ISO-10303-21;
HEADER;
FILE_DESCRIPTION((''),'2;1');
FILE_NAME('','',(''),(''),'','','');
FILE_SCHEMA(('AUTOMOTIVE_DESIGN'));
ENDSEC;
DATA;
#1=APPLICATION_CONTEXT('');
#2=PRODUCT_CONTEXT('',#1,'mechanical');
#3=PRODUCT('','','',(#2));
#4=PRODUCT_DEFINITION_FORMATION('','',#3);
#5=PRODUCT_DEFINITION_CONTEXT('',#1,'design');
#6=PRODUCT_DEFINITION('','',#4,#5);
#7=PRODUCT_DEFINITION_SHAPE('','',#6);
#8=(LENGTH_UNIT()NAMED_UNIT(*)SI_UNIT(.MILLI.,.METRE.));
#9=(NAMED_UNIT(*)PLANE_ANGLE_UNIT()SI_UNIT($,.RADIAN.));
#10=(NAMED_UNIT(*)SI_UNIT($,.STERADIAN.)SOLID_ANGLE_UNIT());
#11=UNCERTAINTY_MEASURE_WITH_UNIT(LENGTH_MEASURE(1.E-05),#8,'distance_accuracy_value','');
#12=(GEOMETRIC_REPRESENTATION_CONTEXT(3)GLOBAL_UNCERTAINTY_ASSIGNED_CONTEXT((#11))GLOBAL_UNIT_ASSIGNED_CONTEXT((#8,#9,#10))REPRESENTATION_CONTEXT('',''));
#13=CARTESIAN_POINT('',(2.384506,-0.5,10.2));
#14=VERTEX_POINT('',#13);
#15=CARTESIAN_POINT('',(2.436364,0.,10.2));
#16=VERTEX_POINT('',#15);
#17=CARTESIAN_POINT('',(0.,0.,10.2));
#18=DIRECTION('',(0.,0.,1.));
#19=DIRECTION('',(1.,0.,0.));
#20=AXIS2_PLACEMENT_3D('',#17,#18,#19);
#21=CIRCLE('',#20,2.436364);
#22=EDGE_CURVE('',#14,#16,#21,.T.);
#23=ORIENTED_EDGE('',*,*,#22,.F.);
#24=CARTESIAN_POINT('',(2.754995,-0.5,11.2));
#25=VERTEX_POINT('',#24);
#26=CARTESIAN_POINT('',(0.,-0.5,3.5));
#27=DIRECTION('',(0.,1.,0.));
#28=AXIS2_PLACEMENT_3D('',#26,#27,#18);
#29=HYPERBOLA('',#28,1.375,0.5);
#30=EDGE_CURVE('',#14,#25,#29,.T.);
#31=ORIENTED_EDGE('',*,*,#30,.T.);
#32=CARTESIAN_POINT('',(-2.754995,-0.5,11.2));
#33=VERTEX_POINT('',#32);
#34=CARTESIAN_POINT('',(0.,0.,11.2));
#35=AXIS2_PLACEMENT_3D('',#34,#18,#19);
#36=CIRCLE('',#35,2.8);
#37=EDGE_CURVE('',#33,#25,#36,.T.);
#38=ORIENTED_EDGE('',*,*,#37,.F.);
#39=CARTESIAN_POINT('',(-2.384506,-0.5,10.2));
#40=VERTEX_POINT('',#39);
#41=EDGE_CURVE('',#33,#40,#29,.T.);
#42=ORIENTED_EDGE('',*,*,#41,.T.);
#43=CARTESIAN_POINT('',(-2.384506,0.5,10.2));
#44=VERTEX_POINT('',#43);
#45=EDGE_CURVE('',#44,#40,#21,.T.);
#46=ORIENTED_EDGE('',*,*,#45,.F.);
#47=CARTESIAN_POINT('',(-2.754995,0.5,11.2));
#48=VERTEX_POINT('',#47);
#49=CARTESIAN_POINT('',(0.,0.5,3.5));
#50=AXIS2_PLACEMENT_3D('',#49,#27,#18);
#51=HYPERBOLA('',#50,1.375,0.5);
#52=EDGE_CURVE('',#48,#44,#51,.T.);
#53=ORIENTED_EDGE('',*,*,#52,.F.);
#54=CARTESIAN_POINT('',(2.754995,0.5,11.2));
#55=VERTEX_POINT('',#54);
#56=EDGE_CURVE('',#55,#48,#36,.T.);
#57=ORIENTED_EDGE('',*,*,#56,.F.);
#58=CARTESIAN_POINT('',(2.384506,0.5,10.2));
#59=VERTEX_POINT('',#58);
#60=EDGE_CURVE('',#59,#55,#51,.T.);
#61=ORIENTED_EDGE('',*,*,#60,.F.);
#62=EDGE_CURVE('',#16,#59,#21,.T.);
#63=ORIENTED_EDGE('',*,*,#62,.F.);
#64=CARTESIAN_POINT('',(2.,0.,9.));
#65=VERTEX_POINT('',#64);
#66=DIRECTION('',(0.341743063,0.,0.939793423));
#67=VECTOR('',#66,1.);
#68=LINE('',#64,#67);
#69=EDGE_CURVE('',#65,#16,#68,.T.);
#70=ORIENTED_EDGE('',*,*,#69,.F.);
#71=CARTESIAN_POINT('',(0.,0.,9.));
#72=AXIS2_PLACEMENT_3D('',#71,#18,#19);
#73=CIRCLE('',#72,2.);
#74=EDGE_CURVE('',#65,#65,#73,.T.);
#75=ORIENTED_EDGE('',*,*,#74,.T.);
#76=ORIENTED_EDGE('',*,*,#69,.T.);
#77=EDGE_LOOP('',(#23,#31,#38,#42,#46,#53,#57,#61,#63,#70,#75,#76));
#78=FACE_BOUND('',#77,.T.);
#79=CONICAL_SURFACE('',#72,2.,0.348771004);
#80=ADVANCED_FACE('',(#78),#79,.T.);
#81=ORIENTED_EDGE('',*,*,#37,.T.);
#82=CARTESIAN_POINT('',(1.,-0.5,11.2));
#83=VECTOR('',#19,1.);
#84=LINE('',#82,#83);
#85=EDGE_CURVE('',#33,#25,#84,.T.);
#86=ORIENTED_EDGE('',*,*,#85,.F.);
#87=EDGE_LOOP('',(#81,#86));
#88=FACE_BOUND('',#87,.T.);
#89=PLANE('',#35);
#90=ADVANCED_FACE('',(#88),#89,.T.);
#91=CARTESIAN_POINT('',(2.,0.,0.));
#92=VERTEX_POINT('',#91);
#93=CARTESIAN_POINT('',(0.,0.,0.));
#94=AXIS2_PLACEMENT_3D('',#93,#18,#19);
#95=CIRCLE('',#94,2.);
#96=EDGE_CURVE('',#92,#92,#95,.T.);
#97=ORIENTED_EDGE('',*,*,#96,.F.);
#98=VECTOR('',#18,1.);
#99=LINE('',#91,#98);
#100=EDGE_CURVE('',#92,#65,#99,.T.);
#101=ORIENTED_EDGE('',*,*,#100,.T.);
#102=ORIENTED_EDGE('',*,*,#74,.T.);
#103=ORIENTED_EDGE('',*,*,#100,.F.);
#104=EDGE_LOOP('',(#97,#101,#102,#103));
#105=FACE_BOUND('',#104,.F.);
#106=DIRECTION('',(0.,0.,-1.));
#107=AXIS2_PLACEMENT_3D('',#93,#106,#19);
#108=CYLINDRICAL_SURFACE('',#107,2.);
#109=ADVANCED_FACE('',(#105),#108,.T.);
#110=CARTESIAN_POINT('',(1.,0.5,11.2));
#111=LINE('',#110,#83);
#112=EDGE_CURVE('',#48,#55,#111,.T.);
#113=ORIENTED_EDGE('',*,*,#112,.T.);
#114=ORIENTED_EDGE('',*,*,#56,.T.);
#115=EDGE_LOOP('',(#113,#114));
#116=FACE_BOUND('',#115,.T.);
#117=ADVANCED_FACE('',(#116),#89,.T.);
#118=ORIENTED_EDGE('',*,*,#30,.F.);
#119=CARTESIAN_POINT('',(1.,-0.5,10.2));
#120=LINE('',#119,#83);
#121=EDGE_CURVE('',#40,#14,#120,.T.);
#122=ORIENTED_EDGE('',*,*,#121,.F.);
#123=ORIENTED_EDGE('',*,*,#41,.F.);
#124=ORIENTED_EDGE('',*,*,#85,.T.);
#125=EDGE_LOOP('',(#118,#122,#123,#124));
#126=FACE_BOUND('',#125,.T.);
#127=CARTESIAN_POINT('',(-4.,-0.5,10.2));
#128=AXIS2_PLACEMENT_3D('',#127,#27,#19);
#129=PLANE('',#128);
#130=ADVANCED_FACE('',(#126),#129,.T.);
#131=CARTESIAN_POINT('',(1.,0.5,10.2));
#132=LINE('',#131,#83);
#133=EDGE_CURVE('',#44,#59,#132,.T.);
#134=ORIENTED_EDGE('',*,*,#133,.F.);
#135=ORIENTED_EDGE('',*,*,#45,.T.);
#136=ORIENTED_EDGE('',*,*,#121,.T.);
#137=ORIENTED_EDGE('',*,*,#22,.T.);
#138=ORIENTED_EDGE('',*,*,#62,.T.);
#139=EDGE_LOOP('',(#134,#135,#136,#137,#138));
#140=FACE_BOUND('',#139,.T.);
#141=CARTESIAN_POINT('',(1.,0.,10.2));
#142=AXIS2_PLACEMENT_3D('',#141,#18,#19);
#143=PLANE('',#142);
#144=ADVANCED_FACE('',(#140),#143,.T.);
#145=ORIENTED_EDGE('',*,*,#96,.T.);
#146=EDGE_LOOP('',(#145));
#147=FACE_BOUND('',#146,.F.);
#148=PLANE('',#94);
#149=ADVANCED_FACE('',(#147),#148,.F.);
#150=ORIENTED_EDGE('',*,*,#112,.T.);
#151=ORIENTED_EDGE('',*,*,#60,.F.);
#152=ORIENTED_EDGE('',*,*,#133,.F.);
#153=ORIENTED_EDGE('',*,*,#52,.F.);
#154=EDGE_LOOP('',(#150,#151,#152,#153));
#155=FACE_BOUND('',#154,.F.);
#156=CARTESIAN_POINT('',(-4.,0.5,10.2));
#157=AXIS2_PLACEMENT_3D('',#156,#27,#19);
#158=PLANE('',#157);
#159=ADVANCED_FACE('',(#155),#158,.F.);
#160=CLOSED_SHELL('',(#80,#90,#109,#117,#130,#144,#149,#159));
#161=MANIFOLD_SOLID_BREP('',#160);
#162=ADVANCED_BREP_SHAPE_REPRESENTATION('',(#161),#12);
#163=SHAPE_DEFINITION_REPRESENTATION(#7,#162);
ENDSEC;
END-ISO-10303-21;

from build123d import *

# Parameters (mm, degrees)
BOX_W          = 10
BOX_H          = 1
BOX_DEPTH      = 1
CYLINDER_R     = 2
CYLINDER_DEPTH = 10


with BuildPart() as cub:
    # Box → Box (new body)
    with BuildSketch(Plane(origin=(-4, -0.5, 10.2), x_dir=(1, 0, 0), z_dir=(0, 0, 1))):
        with Locations((5, 0.5)):
            Rectangle(BOX_W, BOX_H)
    extrude(amount=BOX_DEPTH)


with BuildPart() as cut:
    # Cone → Cone (revolve)
    with BuildSketch(Plane(origin=(0, 0, 9), x_dir=(1, 0, 0), z_dir=(0, -1, 0))):
        Polygon((0, 0), (2, 0), (2.8, 2.2), (0, 2.2), align=None)
    revolve(axis=Axis((0, 0, 9), (0, 0, 1)))

    # Cut: cut Cub
    add(cub.part, mode=Mode.SUBTRACT)


with BuildPart() as clau:
    # Cylinder → Cylinder (new body)
    with BuildSketch(Plane.XY):
        Circle(CYLINDER_R)
    extrude(amount=CYLINDER_DEPTH)

    # Fusion: union Cut
    add(cut.part)


solid = clau.part
